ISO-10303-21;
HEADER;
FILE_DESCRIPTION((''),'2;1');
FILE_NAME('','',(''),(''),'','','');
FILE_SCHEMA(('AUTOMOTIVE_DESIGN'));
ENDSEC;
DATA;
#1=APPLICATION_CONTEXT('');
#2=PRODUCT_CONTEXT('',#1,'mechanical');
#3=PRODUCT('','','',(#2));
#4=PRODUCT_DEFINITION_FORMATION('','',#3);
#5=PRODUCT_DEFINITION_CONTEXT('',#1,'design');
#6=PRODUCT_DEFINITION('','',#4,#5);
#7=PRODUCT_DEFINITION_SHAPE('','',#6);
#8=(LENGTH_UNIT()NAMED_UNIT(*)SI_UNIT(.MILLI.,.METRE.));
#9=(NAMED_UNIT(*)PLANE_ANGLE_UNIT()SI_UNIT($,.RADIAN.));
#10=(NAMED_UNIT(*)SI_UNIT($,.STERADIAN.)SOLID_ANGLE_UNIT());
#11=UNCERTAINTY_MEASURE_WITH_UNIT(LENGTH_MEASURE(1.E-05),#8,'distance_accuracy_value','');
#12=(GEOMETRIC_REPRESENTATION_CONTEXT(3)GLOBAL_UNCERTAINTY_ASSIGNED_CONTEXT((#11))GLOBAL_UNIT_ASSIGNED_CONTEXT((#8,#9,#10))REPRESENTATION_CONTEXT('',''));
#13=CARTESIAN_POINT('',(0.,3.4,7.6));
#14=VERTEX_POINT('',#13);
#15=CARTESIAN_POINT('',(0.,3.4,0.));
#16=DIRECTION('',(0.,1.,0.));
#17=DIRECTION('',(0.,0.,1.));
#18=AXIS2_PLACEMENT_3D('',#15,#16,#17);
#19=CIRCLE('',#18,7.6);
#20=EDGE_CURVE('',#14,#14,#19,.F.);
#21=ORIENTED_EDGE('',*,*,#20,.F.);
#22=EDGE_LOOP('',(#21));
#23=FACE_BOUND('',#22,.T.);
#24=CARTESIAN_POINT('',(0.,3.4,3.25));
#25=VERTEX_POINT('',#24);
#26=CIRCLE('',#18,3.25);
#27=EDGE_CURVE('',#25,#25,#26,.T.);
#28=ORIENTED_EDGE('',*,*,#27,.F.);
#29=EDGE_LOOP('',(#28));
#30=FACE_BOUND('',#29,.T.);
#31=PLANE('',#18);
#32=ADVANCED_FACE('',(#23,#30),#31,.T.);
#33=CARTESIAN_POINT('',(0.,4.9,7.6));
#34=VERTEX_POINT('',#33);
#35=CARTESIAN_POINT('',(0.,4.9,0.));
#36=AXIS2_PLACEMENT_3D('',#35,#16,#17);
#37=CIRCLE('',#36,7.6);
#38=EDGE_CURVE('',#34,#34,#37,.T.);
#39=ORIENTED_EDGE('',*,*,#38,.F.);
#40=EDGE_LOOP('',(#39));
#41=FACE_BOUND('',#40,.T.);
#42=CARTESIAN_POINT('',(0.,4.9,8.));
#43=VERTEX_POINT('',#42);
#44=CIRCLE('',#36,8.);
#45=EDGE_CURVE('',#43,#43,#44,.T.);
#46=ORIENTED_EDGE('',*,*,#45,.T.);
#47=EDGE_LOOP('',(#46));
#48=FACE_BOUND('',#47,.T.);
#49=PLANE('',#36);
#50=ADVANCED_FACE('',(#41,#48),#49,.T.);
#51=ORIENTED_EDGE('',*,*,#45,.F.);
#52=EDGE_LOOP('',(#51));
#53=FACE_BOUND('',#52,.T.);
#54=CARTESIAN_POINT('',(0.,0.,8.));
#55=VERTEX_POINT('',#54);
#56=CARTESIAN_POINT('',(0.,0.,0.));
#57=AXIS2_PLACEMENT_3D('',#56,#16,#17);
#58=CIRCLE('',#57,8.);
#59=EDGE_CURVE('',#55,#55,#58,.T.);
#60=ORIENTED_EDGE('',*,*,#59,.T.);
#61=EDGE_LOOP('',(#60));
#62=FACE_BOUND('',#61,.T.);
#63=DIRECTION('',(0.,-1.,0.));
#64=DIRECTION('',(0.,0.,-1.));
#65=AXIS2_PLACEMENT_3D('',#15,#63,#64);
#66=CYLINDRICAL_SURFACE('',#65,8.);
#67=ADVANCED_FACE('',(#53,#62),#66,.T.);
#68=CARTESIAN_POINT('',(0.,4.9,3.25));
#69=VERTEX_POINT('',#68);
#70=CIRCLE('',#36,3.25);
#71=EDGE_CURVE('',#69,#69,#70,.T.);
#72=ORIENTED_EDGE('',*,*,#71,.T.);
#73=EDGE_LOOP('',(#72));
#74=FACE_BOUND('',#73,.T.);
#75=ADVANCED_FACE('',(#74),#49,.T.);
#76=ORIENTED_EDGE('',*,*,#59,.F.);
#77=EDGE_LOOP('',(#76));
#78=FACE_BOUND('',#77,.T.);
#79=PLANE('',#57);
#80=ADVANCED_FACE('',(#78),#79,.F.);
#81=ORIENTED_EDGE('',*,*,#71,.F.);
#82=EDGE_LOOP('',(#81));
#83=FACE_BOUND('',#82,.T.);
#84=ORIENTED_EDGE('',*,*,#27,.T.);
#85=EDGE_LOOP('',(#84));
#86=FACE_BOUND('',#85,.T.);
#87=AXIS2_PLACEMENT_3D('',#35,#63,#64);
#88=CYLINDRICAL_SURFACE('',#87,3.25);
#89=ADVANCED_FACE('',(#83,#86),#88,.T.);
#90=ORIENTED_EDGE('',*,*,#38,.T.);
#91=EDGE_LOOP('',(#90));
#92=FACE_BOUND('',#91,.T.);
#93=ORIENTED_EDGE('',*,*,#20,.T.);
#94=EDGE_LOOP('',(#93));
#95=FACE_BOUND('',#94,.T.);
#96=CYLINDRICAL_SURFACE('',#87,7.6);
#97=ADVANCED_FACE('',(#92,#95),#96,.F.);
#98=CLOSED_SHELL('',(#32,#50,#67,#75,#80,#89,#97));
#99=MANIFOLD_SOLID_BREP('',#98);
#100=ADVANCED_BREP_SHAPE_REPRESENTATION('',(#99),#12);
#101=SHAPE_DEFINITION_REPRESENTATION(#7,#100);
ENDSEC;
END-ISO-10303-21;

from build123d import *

# Parameters (mm, degrees)
SKETCH1_R           = 8
BOSS_EXTRUDE1_DEPTH = 3.4
SKETCH2_R           = 8
SKETCH2_R_2         = 7.6
SKETCH2_R_3         = 3.25
BOSS_EXTRUDE2_DEPTH = 1.5


with BuildPart() as part:
    # Sketch1 → Boss-Extrude1 (new body)
    with BuildSketch(Plane(origin=(0, 0, 0), x_dir=(1, 0, 0), z_dir=(0, 1, 0))):
        with Locations(Location((0, 0, 0), (0, 0, 270))):
            Circle(SKETCH1_R)
    extrude(amount=BOSS_EXTRUDE1_DEPTH)

    # Sketch2 → Boss-Extrude2 (add)
    # profile 1 of 2: a face of its own
    with BuildSketch(Plane(origin=(0, 3.4, 0), x_dir=(1, 0, 0), z_dir=(0, 1, 0))):
        with Locations(Location((0, 0, 0), (0, 0, 270))):
            Circle(SKETCH2_R)
        with Locations(Location((0, 0, 0), (0, 0, 270))):
            Circle(SKETCH2_R_2, mode=Mode.SUBTRACT)
    # profile 2 of 2: a face of its own
    with BuildSketch(Plane(origin=(0, 3.4, 0), x_dir=(1, 0, 0), z_dir=(0, 1, 0))):
        with Locations(Location((0, 0, 0), (0, 0, 270))):
            Circle(SKETCH2_R_3)
    extrude(amount=BOSS_EXTRUDE2_DEPTH)


solid = part.part
